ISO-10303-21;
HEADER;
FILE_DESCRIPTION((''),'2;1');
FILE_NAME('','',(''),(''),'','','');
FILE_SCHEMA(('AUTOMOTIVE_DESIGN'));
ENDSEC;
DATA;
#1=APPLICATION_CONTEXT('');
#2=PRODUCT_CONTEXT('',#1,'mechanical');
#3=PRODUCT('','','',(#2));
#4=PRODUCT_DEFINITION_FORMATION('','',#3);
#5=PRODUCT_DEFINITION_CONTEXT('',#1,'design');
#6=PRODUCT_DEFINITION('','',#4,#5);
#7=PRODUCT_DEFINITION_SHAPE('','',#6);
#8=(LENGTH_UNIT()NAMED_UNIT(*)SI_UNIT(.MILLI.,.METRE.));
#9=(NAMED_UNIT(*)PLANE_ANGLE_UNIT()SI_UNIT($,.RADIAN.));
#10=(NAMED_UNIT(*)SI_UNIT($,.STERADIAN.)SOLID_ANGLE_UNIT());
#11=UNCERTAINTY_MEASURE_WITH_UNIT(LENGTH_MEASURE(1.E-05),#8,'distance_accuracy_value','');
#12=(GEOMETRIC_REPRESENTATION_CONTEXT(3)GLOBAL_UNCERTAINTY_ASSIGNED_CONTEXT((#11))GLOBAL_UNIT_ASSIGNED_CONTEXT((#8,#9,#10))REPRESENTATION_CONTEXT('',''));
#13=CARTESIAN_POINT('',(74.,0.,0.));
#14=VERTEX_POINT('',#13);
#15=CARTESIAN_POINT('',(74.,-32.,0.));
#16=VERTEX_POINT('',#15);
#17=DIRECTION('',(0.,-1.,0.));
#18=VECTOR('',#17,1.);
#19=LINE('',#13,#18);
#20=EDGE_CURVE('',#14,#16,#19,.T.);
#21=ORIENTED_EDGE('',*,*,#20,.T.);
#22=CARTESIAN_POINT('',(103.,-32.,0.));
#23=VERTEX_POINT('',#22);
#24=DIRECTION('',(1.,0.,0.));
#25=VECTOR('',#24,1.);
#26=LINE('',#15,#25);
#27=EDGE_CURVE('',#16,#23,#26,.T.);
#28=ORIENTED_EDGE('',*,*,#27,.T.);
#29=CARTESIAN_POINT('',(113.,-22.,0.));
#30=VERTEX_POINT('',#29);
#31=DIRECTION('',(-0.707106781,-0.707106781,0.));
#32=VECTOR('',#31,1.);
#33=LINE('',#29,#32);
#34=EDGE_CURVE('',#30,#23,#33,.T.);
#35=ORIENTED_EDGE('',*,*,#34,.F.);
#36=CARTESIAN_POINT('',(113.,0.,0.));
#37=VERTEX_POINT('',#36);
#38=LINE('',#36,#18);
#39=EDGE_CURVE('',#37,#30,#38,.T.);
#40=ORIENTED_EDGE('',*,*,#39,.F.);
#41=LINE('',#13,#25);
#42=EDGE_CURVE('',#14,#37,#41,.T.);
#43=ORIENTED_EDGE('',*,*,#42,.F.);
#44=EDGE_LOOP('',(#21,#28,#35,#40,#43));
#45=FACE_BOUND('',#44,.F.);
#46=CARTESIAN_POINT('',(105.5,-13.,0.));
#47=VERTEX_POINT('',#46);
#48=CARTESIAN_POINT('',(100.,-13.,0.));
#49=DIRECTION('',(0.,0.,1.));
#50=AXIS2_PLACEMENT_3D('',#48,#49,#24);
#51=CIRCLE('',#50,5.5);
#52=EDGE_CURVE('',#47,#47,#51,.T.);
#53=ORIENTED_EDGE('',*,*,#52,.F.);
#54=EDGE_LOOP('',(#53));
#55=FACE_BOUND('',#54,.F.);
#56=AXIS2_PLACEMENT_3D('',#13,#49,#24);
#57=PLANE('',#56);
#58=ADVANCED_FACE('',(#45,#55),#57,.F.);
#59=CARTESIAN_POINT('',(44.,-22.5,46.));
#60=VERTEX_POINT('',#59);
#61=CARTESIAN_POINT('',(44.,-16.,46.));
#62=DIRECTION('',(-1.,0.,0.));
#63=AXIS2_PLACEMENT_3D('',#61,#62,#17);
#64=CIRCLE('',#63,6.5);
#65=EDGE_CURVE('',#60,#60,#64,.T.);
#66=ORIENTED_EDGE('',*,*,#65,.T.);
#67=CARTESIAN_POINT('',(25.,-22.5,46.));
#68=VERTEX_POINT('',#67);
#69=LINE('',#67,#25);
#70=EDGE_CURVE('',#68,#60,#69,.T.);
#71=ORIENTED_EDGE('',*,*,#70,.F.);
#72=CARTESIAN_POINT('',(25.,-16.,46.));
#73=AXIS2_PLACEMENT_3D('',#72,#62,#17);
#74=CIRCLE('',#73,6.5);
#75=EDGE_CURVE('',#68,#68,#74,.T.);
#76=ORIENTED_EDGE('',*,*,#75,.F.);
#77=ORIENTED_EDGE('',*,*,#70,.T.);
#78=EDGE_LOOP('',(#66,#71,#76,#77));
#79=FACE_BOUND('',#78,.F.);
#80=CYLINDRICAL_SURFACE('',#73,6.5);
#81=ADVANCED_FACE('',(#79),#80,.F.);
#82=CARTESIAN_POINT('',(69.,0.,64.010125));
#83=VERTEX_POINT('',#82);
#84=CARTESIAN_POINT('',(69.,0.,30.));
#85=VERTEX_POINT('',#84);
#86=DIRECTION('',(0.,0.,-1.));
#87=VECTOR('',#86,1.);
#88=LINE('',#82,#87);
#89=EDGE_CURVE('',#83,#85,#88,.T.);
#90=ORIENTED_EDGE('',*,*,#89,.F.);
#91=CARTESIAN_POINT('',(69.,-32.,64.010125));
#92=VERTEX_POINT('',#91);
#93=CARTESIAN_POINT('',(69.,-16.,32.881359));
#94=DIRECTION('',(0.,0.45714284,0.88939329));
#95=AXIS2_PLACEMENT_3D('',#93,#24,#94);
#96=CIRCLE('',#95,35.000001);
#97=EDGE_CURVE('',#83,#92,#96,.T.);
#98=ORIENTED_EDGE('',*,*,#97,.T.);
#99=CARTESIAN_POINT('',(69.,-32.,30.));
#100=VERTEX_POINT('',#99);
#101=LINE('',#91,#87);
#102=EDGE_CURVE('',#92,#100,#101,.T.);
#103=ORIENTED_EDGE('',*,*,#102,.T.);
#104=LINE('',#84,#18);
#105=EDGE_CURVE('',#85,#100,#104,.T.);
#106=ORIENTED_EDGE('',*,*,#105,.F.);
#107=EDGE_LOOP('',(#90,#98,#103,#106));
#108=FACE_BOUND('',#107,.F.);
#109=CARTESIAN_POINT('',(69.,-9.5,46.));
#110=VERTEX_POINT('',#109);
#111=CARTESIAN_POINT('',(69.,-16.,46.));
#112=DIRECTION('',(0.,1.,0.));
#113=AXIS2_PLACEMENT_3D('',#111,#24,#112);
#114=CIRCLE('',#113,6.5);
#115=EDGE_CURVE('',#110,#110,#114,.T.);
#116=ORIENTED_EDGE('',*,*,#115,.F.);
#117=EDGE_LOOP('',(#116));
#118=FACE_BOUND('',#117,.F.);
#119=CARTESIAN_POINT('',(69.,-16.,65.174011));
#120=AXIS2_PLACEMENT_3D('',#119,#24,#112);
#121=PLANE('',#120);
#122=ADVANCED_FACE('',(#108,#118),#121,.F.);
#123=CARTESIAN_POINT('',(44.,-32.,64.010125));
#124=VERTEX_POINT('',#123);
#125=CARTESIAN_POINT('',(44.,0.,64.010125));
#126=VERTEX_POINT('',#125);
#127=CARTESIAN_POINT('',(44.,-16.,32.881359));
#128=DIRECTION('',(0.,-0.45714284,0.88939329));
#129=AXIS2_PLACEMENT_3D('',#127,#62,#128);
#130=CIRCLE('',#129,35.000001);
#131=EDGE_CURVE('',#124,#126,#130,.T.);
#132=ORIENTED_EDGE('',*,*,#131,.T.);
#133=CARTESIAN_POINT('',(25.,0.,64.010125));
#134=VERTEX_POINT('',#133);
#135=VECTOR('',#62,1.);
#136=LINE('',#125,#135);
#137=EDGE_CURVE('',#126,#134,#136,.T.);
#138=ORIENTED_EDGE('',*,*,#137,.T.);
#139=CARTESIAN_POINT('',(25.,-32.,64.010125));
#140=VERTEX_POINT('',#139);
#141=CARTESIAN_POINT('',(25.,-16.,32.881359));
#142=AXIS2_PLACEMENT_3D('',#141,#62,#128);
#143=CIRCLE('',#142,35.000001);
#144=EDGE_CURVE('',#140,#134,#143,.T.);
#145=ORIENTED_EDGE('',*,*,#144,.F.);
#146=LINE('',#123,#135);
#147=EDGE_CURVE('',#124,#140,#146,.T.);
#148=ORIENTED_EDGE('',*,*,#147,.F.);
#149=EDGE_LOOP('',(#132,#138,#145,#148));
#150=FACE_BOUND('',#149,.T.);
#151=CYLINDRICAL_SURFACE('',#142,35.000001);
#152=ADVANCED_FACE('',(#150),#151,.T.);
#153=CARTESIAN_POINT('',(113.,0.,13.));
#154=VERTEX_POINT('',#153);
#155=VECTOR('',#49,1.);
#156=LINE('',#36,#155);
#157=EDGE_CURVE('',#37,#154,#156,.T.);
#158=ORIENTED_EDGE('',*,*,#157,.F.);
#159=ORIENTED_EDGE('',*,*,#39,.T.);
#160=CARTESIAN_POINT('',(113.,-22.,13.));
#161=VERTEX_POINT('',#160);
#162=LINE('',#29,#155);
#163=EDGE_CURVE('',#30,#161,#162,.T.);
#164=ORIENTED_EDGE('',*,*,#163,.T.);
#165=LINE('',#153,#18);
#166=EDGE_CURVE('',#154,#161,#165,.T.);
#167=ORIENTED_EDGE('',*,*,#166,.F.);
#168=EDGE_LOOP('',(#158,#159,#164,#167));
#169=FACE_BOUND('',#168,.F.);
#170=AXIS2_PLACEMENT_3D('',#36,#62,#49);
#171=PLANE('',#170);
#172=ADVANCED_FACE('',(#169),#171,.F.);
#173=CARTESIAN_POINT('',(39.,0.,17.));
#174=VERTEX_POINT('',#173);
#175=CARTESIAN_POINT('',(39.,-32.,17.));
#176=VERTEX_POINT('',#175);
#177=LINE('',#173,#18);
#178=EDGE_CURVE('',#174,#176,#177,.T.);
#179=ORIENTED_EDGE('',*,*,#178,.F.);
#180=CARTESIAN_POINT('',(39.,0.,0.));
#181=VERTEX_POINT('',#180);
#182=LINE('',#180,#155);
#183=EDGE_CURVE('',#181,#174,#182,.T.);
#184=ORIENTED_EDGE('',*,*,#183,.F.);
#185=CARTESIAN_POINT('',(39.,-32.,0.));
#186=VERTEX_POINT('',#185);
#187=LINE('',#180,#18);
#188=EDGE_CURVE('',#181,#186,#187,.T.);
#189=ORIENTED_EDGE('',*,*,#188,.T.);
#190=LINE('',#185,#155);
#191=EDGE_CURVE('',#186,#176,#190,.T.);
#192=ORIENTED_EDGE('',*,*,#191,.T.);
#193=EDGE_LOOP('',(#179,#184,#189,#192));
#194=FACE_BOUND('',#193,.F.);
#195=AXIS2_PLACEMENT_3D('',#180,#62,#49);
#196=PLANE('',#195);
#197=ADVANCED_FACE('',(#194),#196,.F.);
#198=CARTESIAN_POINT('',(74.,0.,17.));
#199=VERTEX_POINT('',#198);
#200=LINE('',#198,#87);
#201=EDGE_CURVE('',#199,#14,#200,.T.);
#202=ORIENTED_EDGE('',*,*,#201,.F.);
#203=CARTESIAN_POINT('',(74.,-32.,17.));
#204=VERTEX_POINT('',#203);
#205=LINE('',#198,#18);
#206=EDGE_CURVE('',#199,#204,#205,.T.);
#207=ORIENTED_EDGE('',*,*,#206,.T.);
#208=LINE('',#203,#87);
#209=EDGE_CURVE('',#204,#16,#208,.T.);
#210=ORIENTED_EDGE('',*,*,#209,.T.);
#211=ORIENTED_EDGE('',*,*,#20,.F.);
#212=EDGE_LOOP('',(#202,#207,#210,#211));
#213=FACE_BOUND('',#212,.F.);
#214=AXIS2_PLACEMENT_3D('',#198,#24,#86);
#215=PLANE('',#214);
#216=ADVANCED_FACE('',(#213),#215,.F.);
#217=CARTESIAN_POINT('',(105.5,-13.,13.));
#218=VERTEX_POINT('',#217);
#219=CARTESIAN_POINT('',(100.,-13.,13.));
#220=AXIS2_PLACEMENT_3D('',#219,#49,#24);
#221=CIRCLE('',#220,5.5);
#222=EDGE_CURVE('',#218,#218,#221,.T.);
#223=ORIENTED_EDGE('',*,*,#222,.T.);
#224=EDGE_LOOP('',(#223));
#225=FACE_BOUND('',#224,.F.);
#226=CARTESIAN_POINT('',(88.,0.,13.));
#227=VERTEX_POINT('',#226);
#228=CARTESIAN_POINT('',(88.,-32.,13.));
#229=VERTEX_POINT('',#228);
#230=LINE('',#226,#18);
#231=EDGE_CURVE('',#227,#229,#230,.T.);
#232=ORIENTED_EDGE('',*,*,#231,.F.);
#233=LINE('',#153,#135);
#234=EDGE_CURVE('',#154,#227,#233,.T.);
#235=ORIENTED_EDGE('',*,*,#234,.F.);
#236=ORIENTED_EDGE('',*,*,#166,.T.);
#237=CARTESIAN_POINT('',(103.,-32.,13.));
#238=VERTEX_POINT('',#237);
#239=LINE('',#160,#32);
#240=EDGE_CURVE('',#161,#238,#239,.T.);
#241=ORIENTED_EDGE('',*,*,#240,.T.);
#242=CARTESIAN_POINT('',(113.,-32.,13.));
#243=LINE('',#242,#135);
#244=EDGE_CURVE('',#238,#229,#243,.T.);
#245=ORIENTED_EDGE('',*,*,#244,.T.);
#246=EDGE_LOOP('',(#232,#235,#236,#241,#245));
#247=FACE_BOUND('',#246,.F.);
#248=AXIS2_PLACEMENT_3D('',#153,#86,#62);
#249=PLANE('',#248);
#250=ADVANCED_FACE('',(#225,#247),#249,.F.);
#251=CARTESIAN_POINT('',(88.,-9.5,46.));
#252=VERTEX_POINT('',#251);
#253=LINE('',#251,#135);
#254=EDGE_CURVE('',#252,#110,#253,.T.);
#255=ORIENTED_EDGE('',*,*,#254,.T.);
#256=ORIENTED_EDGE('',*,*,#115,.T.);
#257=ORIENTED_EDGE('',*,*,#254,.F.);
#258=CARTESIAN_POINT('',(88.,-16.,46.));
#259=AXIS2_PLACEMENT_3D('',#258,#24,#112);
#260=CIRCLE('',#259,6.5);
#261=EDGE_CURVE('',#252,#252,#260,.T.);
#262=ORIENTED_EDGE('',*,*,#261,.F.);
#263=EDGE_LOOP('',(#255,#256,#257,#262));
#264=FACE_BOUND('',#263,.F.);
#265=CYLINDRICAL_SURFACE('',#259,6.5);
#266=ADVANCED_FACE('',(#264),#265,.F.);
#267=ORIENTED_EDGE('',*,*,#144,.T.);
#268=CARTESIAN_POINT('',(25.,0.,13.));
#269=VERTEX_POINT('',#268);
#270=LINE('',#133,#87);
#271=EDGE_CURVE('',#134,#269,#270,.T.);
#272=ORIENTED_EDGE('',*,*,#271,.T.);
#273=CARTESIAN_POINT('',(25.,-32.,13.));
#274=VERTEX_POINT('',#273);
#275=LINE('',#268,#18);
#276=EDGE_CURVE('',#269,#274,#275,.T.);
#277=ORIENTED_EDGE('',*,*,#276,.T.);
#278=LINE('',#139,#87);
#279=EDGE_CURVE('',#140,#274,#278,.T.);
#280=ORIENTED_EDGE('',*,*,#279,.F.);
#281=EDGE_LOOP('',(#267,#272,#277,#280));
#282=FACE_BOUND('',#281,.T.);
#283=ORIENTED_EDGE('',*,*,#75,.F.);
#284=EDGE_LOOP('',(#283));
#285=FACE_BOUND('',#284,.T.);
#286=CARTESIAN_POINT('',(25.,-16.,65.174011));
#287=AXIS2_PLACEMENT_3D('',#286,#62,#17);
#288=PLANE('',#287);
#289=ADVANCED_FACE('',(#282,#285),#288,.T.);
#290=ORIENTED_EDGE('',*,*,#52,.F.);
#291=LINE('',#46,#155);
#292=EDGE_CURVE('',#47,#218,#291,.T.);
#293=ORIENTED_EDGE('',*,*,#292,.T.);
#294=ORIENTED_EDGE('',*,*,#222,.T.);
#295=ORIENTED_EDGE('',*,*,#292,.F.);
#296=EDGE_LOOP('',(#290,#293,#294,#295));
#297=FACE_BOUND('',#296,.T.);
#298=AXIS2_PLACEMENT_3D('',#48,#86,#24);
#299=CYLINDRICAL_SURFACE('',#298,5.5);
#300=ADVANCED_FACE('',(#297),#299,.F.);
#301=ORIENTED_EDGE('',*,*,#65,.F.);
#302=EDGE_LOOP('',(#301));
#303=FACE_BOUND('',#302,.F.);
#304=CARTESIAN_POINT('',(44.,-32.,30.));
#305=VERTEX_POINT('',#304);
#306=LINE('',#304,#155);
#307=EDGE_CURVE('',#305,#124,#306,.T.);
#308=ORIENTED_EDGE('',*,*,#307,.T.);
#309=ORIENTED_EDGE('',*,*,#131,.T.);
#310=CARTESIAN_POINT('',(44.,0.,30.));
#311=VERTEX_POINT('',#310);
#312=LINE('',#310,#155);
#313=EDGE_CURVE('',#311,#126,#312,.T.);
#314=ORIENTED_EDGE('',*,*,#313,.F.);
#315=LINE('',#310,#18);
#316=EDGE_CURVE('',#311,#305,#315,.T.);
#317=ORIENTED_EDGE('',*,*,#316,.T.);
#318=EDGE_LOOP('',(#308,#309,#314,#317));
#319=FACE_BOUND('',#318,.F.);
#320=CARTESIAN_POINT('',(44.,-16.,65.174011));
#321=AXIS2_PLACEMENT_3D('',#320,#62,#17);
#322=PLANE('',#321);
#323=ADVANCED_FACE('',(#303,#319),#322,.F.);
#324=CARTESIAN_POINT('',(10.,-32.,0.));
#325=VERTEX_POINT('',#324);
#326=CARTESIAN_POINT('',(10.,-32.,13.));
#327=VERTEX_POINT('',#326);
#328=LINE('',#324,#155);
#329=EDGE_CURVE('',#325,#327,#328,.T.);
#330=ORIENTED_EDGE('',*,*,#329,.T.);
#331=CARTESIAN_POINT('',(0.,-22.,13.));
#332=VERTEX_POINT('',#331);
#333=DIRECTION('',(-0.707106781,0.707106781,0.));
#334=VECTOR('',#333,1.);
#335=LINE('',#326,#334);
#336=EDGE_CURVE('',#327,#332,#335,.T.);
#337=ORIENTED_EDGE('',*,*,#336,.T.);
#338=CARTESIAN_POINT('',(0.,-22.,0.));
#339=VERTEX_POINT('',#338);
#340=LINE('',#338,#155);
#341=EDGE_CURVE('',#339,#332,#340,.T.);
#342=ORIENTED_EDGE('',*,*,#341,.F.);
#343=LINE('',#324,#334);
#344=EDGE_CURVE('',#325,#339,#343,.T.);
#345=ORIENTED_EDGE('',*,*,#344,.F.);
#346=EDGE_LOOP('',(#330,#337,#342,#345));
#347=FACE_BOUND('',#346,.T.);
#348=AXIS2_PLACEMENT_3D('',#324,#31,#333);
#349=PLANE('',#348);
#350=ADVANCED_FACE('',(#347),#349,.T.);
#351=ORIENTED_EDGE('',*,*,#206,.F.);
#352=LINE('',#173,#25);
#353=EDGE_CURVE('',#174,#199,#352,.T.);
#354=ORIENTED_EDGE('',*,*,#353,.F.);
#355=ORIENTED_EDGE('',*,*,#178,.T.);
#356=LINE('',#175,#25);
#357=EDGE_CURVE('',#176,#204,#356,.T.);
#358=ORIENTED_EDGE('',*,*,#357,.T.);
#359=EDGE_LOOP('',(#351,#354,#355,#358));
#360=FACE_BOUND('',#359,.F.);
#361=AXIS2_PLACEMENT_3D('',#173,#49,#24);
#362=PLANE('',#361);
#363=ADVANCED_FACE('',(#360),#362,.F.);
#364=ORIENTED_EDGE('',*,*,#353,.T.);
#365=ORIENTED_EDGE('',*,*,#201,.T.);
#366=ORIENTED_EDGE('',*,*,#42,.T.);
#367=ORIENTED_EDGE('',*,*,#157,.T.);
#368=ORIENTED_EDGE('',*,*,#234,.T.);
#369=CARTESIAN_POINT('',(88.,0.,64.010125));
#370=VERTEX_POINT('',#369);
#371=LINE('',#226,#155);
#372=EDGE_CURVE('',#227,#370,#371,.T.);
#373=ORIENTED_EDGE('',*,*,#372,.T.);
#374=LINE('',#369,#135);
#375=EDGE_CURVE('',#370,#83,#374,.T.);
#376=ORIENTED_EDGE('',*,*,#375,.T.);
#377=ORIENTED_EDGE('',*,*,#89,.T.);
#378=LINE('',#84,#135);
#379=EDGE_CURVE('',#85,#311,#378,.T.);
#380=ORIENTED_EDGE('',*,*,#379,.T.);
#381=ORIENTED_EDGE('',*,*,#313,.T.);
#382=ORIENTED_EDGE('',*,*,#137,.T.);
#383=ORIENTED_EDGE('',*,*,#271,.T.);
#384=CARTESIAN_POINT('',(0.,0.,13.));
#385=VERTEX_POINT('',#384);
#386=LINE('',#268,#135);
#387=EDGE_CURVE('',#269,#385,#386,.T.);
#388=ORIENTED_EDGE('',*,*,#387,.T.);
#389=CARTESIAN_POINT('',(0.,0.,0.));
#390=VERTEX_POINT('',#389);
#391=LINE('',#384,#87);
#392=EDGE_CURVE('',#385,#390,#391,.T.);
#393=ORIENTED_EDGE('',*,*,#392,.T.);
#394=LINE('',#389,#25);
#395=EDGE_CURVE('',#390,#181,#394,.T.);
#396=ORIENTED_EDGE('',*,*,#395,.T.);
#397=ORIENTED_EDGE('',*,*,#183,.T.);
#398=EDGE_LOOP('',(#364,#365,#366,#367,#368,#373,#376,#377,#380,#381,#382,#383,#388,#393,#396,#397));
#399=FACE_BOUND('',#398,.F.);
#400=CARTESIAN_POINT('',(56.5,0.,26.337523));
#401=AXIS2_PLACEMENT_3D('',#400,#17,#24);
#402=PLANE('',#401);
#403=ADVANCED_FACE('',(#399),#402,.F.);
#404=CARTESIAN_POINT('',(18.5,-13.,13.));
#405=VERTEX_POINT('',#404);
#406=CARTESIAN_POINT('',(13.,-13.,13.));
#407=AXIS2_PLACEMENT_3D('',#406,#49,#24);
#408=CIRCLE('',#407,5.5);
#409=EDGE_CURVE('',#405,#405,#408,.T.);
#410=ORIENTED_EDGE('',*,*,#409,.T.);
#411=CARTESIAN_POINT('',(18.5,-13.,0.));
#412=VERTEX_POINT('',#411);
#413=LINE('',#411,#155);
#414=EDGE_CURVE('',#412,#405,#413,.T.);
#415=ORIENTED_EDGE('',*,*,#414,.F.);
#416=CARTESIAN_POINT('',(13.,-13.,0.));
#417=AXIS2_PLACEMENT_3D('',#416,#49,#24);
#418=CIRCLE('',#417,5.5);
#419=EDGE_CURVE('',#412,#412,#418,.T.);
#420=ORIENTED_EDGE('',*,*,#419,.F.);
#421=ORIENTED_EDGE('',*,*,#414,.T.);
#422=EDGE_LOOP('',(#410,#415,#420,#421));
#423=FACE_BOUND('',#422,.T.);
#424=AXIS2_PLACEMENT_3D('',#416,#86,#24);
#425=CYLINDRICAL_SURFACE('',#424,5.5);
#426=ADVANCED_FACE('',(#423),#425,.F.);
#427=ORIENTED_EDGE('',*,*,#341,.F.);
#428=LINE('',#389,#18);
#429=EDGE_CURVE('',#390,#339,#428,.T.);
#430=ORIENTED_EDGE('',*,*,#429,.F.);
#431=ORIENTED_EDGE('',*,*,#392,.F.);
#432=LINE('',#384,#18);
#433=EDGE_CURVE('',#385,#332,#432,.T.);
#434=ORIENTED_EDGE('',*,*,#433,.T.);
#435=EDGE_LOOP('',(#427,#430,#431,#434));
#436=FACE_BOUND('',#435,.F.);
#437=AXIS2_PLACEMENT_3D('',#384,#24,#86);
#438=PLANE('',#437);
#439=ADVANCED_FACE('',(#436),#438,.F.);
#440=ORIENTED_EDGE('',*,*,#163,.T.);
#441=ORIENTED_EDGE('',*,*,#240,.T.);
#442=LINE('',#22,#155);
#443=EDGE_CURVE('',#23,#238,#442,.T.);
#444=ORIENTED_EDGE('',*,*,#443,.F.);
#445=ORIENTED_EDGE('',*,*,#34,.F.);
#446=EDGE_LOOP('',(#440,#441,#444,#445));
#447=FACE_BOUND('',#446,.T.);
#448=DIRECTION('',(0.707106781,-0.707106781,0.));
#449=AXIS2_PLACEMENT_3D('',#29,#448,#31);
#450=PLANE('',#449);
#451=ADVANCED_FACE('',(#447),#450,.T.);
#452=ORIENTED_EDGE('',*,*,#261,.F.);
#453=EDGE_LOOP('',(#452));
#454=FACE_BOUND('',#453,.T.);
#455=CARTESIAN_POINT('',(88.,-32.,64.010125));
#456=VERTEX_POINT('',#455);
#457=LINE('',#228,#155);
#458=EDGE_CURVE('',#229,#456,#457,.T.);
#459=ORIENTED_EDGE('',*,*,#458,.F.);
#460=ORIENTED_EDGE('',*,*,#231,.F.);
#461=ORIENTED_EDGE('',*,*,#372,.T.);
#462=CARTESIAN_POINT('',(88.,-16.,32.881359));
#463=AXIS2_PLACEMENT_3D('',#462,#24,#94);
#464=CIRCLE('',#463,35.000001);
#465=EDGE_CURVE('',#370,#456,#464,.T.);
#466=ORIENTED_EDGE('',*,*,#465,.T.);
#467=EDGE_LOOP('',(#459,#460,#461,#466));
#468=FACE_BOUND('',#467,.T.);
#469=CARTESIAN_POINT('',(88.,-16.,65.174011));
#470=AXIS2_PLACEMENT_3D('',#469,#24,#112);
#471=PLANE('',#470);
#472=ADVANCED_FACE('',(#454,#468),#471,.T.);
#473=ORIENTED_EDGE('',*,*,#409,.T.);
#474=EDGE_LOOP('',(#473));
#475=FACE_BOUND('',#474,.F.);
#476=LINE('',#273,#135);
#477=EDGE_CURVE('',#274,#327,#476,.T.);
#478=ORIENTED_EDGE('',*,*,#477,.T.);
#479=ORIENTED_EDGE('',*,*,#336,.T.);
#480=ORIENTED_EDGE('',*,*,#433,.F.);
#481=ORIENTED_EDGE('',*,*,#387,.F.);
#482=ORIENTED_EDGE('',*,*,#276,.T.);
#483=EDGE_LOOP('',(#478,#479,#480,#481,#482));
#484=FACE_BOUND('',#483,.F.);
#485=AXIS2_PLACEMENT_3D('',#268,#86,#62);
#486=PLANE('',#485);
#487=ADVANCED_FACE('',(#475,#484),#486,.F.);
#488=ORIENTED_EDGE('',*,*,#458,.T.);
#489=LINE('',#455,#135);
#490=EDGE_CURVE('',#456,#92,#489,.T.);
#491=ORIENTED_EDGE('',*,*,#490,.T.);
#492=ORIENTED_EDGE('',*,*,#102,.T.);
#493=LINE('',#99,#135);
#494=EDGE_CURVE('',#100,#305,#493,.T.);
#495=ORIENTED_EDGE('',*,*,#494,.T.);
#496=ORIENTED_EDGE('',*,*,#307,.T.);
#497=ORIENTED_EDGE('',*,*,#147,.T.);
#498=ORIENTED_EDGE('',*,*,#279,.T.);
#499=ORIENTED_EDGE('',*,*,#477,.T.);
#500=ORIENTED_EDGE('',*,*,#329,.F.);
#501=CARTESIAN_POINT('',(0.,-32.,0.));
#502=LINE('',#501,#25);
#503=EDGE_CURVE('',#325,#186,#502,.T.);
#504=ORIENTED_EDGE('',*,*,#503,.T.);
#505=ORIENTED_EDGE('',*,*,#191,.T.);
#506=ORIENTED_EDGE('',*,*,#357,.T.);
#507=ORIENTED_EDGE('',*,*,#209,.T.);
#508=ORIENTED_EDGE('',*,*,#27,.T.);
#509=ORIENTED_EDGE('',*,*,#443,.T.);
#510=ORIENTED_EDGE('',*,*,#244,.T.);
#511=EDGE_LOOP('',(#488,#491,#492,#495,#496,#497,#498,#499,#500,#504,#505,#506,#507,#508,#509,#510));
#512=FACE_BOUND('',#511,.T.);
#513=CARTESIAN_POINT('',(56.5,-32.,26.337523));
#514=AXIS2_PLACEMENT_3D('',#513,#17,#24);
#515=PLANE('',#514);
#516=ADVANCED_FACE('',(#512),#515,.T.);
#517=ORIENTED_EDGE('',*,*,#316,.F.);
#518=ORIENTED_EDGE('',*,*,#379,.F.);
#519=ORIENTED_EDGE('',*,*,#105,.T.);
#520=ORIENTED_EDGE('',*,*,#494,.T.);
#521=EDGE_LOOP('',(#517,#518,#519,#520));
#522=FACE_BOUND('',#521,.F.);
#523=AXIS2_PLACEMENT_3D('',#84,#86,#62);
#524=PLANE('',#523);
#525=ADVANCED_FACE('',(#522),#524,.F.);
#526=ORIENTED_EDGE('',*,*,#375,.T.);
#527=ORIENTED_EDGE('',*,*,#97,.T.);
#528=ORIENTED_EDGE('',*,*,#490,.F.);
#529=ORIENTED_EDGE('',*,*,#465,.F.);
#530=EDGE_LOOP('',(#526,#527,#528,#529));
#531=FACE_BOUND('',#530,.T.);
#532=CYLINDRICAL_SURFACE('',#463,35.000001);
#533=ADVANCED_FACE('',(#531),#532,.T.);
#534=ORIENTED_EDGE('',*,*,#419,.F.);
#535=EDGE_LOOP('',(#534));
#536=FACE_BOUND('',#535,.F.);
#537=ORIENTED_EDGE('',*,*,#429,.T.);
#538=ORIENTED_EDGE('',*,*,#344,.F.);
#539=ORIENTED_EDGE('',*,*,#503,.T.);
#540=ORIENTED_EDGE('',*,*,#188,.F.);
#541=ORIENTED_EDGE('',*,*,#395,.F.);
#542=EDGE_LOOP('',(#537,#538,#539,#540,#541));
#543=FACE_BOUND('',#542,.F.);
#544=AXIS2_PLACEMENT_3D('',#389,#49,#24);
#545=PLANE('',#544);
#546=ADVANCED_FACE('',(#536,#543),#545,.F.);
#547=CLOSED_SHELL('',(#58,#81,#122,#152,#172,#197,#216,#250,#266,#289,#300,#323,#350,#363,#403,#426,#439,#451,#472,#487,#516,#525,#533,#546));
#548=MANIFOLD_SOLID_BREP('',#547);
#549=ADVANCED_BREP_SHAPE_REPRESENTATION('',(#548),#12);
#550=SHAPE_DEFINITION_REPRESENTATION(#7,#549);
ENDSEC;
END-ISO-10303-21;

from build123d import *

# Parameters (mm, degrees)
F1_DEPTH  = 32
F2_R      = 6.5
F3_DEPTH  = 19
F4_R      = 6.5
F5_DEPTH  = 19
F7_DEPTH  = 13
F8_R      = 5.5
F9_DEPTH  = 13
F11_DEPTH = 19
F13_DEPTH = 19


with BuildPart() as f1:
    # F0 (on Front) → F1 (new body)
    with BuildSketch(Plane.XZ):
        Polygon((0, 13), (0, 0), (39, 0), (39, 17), (74, 17), (74, 0), (113, 0), (113, 13), (88, 13), (88, 64.010125), (69, 64.010125), (69, 30), (44, 30), (44, 64.010125), (25, 64.010125), (25, 13), align=None)
    extrude(amount=F1_DEPTH)

    # F2 (on face) → F3 (cut, through all)
    with BuildSketch(Plane.YZ.offset(88)):
        with Locations((-16, 46)):
            Circle(F2_R)
    extrude(amount=-F3_DEPTH, mode=Mode.SUBTRACT)

    # F4 (on face) → F5 (cut, through all)
    with BuildSketch(Plane(origin=(25, 0, 0), x_dir=(0, -1, 0), z_dir=(-1, 0, 0))):
        with Locations((16, 46)):
            Circle(F4_R)
    extrude(amount=-F5_DEPTH, mode=Mode.SUBTRACT)

    # F6 (on Top) → F7 (cut, through all)
    with BuildSketch(Plane.XY):
        Polygon((0, -22), (0, -32), (10, -32), align=None)
        Polygon((113, -22), (103, -32), (113, -32), align=None)
    extrude(amount=F7_DEPTH, mode=Mode.SUBTRACT)

    # F8 (on Top) → F9 (cut, through all)
    with BuildSketch(Plane.XY):
        with Locations((13, -13)):
            Circle(F8_R)
        with Locations((100, -13)):
            Circle(F8_R)
    extrude(amount=F9_DEPTH, mode=Mode.SUBTRACT)

    # F10 (on face) → F11 (join)
    with BuildSketch(Plane.YZ.offset(88)):
        with BuildLine():
            Line((-32, 64.010125), (0, 64.010125))
            ThreePointArc((0, 64.010125), (-16, 67.88136), (-32, 64.010125))
        make_face()
    extrude(amount=-F11_DEPTH)

    # F12 (on face) → F13 (join)
    with BuildSketch(Plane(origin=(25, 0, 0), x_dir=(0, -1, 0), z_dir=(-1, 0, 0))):
        with BuildLine():
            Line((0, 64.010125), (32, 64.010125))
            ThreePointArc((32, 64.010125), (16, 67.88136), (0, 64.010125))
        make_face()
    extrude(amount=-F13_DEPTH)


solid = f1.part
